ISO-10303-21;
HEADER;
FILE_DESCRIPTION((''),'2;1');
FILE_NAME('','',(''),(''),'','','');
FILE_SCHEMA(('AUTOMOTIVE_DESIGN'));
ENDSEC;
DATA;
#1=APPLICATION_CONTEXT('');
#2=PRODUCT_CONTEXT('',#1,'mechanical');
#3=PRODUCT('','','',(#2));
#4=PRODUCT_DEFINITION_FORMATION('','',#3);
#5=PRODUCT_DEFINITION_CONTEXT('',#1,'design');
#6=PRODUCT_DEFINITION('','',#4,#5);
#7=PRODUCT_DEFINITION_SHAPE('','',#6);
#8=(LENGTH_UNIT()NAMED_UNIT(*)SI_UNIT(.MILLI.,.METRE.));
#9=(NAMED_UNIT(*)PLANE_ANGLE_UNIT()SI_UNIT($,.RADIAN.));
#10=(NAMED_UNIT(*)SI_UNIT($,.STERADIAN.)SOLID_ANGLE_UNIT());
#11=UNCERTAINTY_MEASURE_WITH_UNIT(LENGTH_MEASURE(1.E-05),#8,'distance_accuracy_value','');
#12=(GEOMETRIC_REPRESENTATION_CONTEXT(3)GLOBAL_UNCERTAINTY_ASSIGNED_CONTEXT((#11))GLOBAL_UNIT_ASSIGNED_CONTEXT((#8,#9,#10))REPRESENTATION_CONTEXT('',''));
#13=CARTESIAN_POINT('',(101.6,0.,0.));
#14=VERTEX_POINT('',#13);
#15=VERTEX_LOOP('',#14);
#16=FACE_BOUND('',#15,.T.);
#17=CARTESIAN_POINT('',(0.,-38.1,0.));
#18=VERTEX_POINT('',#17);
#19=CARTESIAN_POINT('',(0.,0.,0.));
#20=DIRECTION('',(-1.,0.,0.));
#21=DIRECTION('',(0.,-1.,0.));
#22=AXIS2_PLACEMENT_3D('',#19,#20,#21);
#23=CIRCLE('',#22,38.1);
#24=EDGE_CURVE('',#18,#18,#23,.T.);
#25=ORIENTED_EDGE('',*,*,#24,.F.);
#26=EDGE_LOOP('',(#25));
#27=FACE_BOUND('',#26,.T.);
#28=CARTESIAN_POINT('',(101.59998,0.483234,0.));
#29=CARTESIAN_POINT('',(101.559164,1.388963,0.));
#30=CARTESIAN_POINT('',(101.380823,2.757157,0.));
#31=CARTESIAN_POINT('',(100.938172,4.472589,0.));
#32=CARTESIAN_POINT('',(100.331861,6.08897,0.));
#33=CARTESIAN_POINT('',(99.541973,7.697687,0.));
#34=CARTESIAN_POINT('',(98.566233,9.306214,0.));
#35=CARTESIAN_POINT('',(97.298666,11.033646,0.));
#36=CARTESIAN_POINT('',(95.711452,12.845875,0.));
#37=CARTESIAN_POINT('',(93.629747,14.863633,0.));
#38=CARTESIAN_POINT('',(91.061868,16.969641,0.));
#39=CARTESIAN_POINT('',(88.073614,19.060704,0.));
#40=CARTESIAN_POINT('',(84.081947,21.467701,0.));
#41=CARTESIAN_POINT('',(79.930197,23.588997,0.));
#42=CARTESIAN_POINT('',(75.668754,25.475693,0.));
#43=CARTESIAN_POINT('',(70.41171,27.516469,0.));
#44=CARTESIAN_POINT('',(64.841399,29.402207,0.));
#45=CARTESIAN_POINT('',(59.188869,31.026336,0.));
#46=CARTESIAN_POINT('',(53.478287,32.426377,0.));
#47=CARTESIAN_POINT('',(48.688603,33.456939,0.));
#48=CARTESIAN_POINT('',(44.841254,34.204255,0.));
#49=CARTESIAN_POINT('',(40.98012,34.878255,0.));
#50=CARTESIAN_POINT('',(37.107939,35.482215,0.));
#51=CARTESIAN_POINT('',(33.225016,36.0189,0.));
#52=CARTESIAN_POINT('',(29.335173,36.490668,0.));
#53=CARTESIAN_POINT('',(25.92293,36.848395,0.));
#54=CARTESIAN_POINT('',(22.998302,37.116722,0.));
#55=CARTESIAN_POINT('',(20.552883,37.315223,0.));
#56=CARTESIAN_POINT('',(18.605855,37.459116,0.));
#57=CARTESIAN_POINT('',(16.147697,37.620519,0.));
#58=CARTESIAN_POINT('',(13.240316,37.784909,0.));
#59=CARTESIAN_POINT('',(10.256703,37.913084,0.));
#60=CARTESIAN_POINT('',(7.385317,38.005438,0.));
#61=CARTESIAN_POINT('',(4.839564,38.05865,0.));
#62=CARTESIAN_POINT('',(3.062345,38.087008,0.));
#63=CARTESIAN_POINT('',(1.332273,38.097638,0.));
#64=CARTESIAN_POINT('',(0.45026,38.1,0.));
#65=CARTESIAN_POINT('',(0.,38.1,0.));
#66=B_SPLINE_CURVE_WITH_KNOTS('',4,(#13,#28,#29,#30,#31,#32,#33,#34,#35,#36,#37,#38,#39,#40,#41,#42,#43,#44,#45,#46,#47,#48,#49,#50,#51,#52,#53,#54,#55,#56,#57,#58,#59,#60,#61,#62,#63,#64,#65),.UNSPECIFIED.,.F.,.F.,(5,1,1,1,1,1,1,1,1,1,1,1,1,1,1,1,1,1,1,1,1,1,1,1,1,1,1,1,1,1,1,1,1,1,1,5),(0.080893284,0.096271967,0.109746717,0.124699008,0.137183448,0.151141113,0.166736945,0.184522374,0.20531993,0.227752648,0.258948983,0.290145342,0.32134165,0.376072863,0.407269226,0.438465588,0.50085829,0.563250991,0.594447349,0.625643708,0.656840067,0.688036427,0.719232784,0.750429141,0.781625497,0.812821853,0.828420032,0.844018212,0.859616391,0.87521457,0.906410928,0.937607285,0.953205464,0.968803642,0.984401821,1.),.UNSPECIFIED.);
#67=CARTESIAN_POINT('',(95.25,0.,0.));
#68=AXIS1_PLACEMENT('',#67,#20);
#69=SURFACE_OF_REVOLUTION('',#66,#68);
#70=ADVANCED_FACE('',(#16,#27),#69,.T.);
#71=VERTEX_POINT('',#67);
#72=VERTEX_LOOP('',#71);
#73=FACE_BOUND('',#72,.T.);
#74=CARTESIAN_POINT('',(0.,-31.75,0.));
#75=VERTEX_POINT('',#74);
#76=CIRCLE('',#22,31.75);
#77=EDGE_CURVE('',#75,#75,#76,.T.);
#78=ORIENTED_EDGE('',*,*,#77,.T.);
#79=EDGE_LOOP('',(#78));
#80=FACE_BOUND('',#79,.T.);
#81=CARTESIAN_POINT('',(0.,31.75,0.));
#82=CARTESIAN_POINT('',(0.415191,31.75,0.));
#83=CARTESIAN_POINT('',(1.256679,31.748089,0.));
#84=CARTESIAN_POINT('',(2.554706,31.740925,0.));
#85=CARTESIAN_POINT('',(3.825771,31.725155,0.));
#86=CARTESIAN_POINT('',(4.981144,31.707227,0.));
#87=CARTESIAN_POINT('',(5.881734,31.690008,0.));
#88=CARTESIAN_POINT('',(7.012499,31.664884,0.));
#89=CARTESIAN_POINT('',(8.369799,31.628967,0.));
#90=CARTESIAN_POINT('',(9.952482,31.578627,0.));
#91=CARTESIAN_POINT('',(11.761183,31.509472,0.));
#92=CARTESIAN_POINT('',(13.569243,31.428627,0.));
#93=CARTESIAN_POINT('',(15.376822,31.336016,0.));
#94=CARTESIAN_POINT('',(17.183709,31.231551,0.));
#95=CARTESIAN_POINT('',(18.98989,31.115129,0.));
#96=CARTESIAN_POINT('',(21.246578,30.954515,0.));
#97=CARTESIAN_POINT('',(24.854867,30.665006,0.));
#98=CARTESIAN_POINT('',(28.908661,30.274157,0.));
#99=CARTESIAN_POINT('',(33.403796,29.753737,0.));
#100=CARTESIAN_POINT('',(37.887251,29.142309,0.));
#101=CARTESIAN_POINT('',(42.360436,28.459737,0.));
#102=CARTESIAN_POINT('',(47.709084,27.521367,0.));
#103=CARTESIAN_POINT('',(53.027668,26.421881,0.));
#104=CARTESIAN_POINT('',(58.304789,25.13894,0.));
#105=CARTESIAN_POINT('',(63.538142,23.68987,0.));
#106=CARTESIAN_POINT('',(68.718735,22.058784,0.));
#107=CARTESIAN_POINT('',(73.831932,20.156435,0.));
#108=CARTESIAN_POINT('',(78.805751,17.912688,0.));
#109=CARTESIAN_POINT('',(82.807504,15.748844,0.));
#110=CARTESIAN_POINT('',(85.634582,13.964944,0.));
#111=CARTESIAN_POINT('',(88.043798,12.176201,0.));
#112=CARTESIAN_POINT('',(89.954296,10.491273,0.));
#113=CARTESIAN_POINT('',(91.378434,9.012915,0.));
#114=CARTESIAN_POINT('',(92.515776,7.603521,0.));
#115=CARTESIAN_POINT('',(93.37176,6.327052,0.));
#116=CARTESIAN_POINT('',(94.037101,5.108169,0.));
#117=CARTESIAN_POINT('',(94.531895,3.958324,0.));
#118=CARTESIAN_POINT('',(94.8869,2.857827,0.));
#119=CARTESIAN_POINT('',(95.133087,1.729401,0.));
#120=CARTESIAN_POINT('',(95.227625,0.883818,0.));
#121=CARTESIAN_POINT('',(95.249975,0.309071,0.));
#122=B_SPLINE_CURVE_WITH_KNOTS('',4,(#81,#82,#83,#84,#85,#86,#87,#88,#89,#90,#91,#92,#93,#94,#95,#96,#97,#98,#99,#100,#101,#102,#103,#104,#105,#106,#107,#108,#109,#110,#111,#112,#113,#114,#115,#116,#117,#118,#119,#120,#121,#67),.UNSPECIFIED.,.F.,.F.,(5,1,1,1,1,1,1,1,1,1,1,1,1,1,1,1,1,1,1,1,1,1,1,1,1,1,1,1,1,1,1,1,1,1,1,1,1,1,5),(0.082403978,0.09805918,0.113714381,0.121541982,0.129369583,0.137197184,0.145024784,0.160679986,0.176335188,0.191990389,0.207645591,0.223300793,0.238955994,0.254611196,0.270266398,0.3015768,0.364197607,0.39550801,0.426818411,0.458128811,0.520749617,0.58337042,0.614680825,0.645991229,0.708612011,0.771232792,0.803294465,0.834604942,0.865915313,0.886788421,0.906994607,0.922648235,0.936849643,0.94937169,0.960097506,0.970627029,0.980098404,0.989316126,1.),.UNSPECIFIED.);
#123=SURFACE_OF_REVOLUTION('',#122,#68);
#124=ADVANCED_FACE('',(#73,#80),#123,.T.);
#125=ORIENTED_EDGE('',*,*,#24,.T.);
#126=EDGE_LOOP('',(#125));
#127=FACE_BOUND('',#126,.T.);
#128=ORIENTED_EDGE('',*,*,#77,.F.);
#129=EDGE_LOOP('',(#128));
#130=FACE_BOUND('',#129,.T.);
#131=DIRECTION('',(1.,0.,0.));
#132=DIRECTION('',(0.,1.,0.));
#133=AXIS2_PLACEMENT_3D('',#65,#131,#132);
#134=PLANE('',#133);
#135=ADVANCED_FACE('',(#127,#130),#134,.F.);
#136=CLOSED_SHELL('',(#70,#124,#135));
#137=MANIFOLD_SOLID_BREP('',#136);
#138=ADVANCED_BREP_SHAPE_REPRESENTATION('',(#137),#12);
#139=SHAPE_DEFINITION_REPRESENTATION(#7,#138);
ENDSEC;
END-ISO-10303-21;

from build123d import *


with BuildPart() as part:
    # Sketch1 → Revolve2 (revolve)
    with BuildSketch(Plane.XY):
        with BuildLine():
            Line((-1e-09, 38.100000001), (-1e-09, 31.75))
            add(Edge.make_bspline(
                [(-1e-09, 31.75), (0.415190955, 31.75), (1.256679449, 31.748089378), (2.554706175, 31.740924525), (3.825770905, 31.725155281), (4.981143672, 31.707226625), (5.881733678, 31.690007829), (7.012498695, 31.664884491), (8.369799081, 31.628967402), (9.952482494, 31.578627475), (11.761183375, 31.509472003), (13.569243129, 31.428627236), (15.376822449, 31.336016415), (17.183708972, 31.231550801), (18.989890262, 31.115129308), (21.246578438, 30.954515104), (24.854866644, 30.665006375), (28.908660977, 30.274157416), (33.403796106, 29.753737054), (37.887250625, 29.142309392), (42.360436198, 28.459737481), (47.70908357, 27.521366996), (53.027668499, 26.421880543), (58.304789295, 25.138939788), (63.53814241, 23.689870329), (68.718734965, 22.058783783), (73.83193168, 20.156435427), (78.805751313, 17.912687574), (82.807503611, 15.748844266), (85.634582067, 13.964943786), (88.04379784, 12.17620139), (89.954295611, 10.49127296), (91.378434074, 9.012915483), (92.515776239, 7.603520907), (93.371759618, 6.327051803), (94.037101188, 5.108168569), (94.531894719, 3.958323968), (94.886900285, 2.857827481), (95.133086869, 1.729400952), (95.227625158, 0.883817947), (95.24997491, 0.309070901), (95.249999995, -1.2e-08)],
                knots=[0.082403978, 0.082403978, 0.082403978, 0.082403978, 0.082403978, 0.09805918, 0.113714381, 0.121541982, 0.129369583, 0.137197184, 0.145024784, 0.160679986, 0.176335188, 0.191990389, 0.207645591, 0.223300793, 0.238955994, 0.254611196, 0.270266398, 0.3015768, 0.364197607, 0.39550801, 0.426818411, 0.458128811, 0.520749617, 0.58337042, 0.614680825, 0.645991229, 0.708612011, 0.771232792, 0.803294465, 0.834604942, 0.865915313, 0.886788421, 0.906994607, 0.922648235, 0.936849643, 0.94937169, 0.960097506, 0.970627029, 0.980098404, 0.989316126, 1, 1, 1, 1, 1], degree=4))
            Line((95.249999995, -1.2e-08), (101.599999994, -1.2e-08))
            add(Edge.make_bspline(
                [(-1e-09, 38.100000001), (0.450260093, 38.100000001), (1.332272986, 38.097637889), (3.062345193, 38.087008359), (4.839563793, 38.058650103), (7.385317487, 38.005438149), (10.256702575, 37.913083534), (13.240315722, 37.784908905), (16.147697021, 37.620519144), (18.605854612, 37.459115574), (20.552882974, 37.31522258), (22.998301968, 37.116721594), (25.922930437, 36.848395016), (29.335173151, 36.490667744), (33.225015649, 36.018900169), (37.107938692, 35.48221487), (40.980119598, 34.878255234), (44.841253924, 34.204254741), (48.688602724, 33.456939061), (53.478286526, 32.426376782), (59.18886894, 31.026335536), (64.841399437, 29.402206908), (70.41170974, 27.51646904), (75.668754065, 25.475692998), (79.930197447, 23.588996516), (84.081947107, 21.467700997), (88.073614342, 19.060703593), (91.061868476, 16.969641497), (93.629746549, 14.863633228), (95.711452303, 12.845875297), (97.298665837, 11.033645771), (98.566232567, 9.306214415), (99.541973356, 7.697686694), (100.331861268, 6.088970168), (100.93817171, 4.472589012), (101.380823499, 2.757157275), (101.559164098, 1.388962916), (101.59998036, 0.483233633), (101.599999994, -1.2e-08)],
                knots=[0.080893284, 0.080893284, 0.080893284, 0.080893284, 0.080893284, 0.096491462, 0.112089641, 0.12768782, 0.143285999, 0.174482356, 0.205678713, 0.221276893, 0.236875072, 0.252473251, 0.268071431, 0.299267787, 0.330464142, 0.361660499, 0.392856856, 0.424053216, 0.455249576, 0.486445934, 0.517642292, 0.580034994, 0.642427695, 0.673624058, 0.704820421, 0.759551633, 0.790747942, 0.821944301, 0.853140636, 0.875573354, 0.89637091, 0.914156338, 0.92975217, 0.943709836, 0.956194275, 0.971146567, 0.984621316, 1, 1, 1, 1, 1], degree=4))
        make_face()
    revolve(axis=Axis((95.249999995, -1.2e-08, 0), (1, 0, 0)))


solid = part.part
